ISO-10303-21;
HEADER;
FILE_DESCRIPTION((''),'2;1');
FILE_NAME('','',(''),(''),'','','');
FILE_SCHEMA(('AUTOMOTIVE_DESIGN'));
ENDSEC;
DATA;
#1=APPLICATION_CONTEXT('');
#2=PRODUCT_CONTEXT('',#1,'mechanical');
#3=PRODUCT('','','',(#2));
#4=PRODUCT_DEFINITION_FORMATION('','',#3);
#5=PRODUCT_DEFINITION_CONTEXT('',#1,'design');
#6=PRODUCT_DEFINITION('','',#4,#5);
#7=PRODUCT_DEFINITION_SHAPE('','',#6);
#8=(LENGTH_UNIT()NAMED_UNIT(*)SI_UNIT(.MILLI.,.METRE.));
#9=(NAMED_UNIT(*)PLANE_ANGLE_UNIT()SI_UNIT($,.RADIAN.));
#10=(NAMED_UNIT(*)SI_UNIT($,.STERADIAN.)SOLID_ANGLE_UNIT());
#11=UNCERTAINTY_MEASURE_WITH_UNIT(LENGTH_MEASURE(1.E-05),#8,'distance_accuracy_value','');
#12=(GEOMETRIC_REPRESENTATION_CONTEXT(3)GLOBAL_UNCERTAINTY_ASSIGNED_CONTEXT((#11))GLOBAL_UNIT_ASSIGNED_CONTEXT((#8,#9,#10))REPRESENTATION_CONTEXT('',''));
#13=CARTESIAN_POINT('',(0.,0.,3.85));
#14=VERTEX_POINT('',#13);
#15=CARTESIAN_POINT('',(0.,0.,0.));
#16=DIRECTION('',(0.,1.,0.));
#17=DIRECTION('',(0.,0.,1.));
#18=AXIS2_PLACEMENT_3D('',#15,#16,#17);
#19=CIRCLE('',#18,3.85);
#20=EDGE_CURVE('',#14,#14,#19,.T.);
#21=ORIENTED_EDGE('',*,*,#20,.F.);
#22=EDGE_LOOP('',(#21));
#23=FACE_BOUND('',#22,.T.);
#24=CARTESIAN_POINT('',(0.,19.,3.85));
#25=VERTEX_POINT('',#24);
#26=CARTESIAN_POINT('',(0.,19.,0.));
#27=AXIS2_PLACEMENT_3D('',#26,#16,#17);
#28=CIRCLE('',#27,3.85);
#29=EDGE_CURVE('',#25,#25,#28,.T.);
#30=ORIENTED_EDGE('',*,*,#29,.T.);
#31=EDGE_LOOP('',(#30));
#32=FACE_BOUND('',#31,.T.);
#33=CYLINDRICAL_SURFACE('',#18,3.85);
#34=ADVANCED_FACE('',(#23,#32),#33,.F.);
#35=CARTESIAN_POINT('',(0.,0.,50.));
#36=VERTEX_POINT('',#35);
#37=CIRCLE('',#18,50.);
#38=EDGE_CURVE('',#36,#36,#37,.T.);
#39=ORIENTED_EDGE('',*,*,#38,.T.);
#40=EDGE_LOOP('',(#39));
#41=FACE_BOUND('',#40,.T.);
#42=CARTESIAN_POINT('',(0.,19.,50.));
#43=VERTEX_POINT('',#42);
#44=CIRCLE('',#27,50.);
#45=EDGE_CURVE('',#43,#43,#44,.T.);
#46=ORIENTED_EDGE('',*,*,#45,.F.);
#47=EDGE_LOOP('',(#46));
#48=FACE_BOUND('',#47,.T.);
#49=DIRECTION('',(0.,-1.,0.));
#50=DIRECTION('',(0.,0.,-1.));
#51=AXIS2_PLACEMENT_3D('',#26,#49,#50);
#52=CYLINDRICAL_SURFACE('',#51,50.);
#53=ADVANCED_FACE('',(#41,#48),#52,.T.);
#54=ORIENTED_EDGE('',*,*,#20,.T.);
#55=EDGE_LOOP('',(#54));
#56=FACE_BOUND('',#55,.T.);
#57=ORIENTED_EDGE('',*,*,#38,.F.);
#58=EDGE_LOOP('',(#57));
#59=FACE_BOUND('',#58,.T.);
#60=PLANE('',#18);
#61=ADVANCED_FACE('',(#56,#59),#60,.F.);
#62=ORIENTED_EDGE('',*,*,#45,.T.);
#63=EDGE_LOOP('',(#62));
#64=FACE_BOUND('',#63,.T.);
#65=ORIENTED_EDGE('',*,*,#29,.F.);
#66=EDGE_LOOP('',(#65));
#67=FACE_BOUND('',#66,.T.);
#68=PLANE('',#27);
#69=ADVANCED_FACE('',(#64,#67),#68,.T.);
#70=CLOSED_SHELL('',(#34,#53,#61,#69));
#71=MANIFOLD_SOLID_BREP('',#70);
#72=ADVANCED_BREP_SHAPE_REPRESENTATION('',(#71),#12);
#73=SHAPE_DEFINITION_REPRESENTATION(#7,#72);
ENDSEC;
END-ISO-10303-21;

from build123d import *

# Parameters (mm, degrees)
SKETCH1_R           = 50
BOSS_EXTRUDE1_DEPTH = 19
SKETCH2_R           = 3.85
CUT_EXTRUDE2_DEPTH  = 20


with BuildPart() as part:
    # Sketch1 → Boss-Extrude1 (new body)
    with BuildSketch(Plane(origin=(0, 0, 0), x_dir=(1, 0, 0), z_dir=(0, 1, 0))):
        Circle(SKETCH1_R)
    extrude(amount=BOSS_EXTRUDE1_DEPTH)

    # Sketch2 → Cut-Extrude2 (cut, through all)
    with BuildSketch(Plane(origin=(0, 19, 0), x_dir=(1, 0, 0), z_dir=(0, 1, 0))):
        Circle(SKETCH2_R)
    extrude(amount=-CUT_EXTRUDE2_DEPTH, mode=Mode.SUBTRACT)


solid = part.part
